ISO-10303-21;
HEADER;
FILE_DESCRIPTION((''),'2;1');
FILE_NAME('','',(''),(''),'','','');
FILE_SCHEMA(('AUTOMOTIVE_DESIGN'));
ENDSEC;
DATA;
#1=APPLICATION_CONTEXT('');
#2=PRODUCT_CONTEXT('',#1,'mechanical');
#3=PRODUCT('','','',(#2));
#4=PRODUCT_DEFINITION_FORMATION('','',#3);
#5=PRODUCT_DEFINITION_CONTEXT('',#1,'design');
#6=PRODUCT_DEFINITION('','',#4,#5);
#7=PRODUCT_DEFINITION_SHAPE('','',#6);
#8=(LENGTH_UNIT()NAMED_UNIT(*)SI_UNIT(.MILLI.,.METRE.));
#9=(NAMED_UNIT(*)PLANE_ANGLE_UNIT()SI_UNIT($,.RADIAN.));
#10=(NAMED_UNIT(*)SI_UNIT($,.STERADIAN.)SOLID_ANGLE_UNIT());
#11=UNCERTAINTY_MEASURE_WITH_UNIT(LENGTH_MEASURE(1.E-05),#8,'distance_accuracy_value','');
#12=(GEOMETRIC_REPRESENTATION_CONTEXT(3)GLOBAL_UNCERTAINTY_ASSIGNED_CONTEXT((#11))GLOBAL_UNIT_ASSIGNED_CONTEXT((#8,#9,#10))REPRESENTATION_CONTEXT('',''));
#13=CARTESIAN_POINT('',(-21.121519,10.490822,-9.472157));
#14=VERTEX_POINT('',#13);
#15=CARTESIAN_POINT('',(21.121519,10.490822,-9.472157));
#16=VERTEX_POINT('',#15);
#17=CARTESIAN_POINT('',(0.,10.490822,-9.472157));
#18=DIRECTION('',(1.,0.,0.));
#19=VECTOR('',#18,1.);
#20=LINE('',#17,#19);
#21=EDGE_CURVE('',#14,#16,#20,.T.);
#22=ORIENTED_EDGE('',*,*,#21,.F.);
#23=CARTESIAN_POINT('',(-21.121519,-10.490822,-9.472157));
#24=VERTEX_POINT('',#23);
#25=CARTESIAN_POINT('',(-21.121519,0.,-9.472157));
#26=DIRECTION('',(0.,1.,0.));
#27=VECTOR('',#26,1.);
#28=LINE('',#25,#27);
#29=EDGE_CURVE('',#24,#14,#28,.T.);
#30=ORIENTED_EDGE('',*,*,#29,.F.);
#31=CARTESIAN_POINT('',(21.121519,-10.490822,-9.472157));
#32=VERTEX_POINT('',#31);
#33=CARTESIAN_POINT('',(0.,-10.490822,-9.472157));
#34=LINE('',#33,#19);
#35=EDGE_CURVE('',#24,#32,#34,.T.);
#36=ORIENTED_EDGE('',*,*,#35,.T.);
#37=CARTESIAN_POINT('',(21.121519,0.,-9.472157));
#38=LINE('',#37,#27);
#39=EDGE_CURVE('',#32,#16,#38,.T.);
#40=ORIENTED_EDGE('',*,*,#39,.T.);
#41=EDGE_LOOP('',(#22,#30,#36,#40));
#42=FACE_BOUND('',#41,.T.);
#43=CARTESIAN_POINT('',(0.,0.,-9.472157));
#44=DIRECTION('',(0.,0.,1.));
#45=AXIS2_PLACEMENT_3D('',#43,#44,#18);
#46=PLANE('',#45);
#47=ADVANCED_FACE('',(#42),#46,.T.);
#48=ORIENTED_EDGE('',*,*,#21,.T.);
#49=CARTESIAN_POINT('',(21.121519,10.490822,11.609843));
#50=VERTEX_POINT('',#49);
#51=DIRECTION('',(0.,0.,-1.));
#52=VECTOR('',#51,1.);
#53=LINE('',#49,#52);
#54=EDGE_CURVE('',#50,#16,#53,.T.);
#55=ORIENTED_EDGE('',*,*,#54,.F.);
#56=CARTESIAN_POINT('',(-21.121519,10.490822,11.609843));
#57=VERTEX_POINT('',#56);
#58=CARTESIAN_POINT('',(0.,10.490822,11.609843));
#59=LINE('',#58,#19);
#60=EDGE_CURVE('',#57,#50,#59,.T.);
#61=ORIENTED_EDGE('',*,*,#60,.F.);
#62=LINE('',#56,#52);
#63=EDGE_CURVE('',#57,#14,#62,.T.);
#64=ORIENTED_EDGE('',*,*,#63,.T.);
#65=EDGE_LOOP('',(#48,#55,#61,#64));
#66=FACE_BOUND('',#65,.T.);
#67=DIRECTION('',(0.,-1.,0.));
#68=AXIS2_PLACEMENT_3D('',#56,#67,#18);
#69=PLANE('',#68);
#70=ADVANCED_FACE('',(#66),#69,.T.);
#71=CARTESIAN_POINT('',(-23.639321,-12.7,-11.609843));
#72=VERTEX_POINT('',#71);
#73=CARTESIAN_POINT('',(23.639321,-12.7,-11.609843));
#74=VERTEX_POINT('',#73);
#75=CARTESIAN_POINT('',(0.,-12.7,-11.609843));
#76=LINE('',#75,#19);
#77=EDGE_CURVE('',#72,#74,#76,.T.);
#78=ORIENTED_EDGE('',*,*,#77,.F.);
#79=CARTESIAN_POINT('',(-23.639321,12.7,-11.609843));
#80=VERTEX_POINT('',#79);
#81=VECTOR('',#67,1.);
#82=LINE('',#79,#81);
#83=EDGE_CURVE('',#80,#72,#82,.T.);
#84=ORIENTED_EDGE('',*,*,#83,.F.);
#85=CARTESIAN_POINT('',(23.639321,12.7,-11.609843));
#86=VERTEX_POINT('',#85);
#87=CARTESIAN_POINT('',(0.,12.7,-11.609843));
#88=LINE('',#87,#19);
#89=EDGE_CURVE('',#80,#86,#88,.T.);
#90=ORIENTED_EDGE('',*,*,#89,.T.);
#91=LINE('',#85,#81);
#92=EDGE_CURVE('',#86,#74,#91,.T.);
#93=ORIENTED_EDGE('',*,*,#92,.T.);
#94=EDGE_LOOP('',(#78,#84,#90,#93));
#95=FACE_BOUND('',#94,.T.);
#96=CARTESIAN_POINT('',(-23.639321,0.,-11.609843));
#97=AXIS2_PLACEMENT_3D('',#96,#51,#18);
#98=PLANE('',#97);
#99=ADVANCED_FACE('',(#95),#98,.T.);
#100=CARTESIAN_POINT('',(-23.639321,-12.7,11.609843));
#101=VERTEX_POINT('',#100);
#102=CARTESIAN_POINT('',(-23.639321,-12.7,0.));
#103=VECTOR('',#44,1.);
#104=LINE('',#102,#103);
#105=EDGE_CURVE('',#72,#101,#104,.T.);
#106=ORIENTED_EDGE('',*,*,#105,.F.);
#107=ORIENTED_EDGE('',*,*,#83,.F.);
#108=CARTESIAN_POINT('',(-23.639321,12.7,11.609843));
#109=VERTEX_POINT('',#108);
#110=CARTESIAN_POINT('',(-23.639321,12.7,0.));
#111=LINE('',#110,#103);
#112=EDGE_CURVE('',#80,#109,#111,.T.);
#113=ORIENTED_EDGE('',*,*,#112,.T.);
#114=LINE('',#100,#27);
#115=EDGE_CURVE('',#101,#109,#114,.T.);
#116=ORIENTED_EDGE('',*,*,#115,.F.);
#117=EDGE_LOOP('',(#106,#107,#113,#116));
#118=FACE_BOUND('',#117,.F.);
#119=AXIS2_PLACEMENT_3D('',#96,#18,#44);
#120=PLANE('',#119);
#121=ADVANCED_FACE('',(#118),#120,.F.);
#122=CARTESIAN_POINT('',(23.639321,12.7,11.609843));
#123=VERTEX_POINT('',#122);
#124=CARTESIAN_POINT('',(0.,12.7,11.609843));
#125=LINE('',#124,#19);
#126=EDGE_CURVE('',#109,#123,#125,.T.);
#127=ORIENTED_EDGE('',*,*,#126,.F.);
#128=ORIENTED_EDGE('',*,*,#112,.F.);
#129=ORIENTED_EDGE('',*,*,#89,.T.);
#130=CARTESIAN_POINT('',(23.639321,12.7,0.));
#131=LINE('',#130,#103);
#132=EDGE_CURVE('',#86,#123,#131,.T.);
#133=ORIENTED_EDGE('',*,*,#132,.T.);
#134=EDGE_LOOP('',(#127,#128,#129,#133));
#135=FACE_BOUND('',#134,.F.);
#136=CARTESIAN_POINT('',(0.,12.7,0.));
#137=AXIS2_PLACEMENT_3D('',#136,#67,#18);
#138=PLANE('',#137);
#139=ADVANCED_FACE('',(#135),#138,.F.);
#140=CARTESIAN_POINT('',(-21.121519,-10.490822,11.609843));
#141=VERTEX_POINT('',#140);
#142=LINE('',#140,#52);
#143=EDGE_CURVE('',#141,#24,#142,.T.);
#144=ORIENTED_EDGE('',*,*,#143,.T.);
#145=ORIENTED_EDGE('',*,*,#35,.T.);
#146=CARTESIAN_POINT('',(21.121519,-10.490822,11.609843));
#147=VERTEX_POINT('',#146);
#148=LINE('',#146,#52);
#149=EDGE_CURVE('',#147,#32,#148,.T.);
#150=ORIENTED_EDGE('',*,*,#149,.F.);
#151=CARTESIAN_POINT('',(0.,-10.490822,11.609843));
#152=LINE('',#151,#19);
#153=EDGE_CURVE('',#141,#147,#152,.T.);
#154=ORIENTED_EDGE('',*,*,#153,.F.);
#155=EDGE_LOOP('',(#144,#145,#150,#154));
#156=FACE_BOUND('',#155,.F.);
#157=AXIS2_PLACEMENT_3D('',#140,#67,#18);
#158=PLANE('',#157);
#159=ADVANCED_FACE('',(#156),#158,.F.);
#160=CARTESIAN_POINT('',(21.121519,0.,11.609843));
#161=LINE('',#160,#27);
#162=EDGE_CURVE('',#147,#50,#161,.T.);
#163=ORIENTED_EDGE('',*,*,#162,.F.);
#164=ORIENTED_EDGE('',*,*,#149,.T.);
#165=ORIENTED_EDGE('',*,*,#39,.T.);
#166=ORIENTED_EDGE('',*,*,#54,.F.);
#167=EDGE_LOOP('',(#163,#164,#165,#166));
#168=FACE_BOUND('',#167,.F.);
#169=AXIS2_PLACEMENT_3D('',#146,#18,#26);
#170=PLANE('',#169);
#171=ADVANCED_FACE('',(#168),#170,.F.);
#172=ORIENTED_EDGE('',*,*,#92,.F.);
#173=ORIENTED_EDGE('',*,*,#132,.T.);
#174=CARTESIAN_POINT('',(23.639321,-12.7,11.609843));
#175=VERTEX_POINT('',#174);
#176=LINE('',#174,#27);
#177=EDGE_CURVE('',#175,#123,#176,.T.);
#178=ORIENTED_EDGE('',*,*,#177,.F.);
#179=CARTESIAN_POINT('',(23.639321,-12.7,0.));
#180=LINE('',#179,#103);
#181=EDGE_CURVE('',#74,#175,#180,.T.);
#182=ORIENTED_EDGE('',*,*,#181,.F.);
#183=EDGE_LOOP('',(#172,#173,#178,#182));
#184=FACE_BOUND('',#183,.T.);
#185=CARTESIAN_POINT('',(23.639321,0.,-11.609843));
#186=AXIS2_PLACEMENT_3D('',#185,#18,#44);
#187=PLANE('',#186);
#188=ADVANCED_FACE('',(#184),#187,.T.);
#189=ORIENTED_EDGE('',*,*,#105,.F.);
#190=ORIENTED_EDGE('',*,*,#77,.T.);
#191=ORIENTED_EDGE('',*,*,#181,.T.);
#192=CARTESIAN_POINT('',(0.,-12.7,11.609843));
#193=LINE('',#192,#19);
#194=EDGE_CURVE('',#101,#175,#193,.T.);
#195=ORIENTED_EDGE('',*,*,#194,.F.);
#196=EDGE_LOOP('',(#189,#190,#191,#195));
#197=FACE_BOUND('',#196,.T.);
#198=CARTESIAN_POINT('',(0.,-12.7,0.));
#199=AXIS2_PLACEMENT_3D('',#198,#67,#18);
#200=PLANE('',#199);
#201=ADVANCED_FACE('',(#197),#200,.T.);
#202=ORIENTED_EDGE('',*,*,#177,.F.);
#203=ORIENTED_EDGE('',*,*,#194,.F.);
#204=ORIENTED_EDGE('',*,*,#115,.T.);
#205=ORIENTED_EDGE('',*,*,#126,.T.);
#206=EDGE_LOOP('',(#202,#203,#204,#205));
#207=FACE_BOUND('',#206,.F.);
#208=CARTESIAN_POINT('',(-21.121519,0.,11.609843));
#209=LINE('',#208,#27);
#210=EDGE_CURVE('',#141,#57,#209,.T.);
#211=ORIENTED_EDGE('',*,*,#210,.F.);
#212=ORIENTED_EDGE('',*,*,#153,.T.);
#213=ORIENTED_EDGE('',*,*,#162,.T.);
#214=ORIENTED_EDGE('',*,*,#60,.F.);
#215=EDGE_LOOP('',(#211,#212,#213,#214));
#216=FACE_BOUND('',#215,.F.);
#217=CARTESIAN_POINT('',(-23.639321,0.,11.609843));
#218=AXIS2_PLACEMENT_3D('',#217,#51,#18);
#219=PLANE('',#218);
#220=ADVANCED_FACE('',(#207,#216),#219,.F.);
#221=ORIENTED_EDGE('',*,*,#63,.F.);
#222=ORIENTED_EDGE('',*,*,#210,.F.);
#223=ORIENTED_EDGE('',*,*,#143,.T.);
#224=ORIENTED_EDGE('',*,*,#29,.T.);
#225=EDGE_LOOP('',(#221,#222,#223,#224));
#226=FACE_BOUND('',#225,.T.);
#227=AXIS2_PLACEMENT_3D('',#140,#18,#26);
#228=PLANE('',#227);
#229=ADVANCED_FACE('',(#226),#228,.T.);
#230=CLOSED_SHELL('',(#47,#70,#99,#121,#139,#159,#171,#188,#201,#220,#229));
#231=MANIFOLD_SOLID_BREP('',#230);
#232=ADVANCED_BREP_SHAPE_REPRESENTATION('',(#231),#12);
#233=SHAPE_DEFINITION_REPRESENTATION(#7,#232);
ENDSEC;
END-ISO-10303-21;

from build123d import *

# Parameters (mm, degrees)
F0_W          = 47.278642
F0_H          = 23.219686
F1_DEPTH      = 12.7
F1_DEPTH_BACK = 12.7
F2_W          = 42.243038
F2_H          = 20.981644
F3_DEPTH      = 21.082


with BuildPart() as f1:
    # F0 (on Front) → F1 (new body, two sides)
    with BuildSketch(Plane.XZ) as f1_sk:
        Rectangle(F0_W, F0_H)
    extrude(amount=F1_DEPTH)
    extrude(f1_sk.sketch, amount=-F1_DEPTH_BACK)

    # F2 (on face) → F3 (cut)
    with BuildSketch(Plane.XY.offset(11.609843)):
        Rectangle(F2_W, F2_H)
    extrude(amount=-F3_DEPTH, mode=Mode.SUBTRACT)


solid = f1.part
